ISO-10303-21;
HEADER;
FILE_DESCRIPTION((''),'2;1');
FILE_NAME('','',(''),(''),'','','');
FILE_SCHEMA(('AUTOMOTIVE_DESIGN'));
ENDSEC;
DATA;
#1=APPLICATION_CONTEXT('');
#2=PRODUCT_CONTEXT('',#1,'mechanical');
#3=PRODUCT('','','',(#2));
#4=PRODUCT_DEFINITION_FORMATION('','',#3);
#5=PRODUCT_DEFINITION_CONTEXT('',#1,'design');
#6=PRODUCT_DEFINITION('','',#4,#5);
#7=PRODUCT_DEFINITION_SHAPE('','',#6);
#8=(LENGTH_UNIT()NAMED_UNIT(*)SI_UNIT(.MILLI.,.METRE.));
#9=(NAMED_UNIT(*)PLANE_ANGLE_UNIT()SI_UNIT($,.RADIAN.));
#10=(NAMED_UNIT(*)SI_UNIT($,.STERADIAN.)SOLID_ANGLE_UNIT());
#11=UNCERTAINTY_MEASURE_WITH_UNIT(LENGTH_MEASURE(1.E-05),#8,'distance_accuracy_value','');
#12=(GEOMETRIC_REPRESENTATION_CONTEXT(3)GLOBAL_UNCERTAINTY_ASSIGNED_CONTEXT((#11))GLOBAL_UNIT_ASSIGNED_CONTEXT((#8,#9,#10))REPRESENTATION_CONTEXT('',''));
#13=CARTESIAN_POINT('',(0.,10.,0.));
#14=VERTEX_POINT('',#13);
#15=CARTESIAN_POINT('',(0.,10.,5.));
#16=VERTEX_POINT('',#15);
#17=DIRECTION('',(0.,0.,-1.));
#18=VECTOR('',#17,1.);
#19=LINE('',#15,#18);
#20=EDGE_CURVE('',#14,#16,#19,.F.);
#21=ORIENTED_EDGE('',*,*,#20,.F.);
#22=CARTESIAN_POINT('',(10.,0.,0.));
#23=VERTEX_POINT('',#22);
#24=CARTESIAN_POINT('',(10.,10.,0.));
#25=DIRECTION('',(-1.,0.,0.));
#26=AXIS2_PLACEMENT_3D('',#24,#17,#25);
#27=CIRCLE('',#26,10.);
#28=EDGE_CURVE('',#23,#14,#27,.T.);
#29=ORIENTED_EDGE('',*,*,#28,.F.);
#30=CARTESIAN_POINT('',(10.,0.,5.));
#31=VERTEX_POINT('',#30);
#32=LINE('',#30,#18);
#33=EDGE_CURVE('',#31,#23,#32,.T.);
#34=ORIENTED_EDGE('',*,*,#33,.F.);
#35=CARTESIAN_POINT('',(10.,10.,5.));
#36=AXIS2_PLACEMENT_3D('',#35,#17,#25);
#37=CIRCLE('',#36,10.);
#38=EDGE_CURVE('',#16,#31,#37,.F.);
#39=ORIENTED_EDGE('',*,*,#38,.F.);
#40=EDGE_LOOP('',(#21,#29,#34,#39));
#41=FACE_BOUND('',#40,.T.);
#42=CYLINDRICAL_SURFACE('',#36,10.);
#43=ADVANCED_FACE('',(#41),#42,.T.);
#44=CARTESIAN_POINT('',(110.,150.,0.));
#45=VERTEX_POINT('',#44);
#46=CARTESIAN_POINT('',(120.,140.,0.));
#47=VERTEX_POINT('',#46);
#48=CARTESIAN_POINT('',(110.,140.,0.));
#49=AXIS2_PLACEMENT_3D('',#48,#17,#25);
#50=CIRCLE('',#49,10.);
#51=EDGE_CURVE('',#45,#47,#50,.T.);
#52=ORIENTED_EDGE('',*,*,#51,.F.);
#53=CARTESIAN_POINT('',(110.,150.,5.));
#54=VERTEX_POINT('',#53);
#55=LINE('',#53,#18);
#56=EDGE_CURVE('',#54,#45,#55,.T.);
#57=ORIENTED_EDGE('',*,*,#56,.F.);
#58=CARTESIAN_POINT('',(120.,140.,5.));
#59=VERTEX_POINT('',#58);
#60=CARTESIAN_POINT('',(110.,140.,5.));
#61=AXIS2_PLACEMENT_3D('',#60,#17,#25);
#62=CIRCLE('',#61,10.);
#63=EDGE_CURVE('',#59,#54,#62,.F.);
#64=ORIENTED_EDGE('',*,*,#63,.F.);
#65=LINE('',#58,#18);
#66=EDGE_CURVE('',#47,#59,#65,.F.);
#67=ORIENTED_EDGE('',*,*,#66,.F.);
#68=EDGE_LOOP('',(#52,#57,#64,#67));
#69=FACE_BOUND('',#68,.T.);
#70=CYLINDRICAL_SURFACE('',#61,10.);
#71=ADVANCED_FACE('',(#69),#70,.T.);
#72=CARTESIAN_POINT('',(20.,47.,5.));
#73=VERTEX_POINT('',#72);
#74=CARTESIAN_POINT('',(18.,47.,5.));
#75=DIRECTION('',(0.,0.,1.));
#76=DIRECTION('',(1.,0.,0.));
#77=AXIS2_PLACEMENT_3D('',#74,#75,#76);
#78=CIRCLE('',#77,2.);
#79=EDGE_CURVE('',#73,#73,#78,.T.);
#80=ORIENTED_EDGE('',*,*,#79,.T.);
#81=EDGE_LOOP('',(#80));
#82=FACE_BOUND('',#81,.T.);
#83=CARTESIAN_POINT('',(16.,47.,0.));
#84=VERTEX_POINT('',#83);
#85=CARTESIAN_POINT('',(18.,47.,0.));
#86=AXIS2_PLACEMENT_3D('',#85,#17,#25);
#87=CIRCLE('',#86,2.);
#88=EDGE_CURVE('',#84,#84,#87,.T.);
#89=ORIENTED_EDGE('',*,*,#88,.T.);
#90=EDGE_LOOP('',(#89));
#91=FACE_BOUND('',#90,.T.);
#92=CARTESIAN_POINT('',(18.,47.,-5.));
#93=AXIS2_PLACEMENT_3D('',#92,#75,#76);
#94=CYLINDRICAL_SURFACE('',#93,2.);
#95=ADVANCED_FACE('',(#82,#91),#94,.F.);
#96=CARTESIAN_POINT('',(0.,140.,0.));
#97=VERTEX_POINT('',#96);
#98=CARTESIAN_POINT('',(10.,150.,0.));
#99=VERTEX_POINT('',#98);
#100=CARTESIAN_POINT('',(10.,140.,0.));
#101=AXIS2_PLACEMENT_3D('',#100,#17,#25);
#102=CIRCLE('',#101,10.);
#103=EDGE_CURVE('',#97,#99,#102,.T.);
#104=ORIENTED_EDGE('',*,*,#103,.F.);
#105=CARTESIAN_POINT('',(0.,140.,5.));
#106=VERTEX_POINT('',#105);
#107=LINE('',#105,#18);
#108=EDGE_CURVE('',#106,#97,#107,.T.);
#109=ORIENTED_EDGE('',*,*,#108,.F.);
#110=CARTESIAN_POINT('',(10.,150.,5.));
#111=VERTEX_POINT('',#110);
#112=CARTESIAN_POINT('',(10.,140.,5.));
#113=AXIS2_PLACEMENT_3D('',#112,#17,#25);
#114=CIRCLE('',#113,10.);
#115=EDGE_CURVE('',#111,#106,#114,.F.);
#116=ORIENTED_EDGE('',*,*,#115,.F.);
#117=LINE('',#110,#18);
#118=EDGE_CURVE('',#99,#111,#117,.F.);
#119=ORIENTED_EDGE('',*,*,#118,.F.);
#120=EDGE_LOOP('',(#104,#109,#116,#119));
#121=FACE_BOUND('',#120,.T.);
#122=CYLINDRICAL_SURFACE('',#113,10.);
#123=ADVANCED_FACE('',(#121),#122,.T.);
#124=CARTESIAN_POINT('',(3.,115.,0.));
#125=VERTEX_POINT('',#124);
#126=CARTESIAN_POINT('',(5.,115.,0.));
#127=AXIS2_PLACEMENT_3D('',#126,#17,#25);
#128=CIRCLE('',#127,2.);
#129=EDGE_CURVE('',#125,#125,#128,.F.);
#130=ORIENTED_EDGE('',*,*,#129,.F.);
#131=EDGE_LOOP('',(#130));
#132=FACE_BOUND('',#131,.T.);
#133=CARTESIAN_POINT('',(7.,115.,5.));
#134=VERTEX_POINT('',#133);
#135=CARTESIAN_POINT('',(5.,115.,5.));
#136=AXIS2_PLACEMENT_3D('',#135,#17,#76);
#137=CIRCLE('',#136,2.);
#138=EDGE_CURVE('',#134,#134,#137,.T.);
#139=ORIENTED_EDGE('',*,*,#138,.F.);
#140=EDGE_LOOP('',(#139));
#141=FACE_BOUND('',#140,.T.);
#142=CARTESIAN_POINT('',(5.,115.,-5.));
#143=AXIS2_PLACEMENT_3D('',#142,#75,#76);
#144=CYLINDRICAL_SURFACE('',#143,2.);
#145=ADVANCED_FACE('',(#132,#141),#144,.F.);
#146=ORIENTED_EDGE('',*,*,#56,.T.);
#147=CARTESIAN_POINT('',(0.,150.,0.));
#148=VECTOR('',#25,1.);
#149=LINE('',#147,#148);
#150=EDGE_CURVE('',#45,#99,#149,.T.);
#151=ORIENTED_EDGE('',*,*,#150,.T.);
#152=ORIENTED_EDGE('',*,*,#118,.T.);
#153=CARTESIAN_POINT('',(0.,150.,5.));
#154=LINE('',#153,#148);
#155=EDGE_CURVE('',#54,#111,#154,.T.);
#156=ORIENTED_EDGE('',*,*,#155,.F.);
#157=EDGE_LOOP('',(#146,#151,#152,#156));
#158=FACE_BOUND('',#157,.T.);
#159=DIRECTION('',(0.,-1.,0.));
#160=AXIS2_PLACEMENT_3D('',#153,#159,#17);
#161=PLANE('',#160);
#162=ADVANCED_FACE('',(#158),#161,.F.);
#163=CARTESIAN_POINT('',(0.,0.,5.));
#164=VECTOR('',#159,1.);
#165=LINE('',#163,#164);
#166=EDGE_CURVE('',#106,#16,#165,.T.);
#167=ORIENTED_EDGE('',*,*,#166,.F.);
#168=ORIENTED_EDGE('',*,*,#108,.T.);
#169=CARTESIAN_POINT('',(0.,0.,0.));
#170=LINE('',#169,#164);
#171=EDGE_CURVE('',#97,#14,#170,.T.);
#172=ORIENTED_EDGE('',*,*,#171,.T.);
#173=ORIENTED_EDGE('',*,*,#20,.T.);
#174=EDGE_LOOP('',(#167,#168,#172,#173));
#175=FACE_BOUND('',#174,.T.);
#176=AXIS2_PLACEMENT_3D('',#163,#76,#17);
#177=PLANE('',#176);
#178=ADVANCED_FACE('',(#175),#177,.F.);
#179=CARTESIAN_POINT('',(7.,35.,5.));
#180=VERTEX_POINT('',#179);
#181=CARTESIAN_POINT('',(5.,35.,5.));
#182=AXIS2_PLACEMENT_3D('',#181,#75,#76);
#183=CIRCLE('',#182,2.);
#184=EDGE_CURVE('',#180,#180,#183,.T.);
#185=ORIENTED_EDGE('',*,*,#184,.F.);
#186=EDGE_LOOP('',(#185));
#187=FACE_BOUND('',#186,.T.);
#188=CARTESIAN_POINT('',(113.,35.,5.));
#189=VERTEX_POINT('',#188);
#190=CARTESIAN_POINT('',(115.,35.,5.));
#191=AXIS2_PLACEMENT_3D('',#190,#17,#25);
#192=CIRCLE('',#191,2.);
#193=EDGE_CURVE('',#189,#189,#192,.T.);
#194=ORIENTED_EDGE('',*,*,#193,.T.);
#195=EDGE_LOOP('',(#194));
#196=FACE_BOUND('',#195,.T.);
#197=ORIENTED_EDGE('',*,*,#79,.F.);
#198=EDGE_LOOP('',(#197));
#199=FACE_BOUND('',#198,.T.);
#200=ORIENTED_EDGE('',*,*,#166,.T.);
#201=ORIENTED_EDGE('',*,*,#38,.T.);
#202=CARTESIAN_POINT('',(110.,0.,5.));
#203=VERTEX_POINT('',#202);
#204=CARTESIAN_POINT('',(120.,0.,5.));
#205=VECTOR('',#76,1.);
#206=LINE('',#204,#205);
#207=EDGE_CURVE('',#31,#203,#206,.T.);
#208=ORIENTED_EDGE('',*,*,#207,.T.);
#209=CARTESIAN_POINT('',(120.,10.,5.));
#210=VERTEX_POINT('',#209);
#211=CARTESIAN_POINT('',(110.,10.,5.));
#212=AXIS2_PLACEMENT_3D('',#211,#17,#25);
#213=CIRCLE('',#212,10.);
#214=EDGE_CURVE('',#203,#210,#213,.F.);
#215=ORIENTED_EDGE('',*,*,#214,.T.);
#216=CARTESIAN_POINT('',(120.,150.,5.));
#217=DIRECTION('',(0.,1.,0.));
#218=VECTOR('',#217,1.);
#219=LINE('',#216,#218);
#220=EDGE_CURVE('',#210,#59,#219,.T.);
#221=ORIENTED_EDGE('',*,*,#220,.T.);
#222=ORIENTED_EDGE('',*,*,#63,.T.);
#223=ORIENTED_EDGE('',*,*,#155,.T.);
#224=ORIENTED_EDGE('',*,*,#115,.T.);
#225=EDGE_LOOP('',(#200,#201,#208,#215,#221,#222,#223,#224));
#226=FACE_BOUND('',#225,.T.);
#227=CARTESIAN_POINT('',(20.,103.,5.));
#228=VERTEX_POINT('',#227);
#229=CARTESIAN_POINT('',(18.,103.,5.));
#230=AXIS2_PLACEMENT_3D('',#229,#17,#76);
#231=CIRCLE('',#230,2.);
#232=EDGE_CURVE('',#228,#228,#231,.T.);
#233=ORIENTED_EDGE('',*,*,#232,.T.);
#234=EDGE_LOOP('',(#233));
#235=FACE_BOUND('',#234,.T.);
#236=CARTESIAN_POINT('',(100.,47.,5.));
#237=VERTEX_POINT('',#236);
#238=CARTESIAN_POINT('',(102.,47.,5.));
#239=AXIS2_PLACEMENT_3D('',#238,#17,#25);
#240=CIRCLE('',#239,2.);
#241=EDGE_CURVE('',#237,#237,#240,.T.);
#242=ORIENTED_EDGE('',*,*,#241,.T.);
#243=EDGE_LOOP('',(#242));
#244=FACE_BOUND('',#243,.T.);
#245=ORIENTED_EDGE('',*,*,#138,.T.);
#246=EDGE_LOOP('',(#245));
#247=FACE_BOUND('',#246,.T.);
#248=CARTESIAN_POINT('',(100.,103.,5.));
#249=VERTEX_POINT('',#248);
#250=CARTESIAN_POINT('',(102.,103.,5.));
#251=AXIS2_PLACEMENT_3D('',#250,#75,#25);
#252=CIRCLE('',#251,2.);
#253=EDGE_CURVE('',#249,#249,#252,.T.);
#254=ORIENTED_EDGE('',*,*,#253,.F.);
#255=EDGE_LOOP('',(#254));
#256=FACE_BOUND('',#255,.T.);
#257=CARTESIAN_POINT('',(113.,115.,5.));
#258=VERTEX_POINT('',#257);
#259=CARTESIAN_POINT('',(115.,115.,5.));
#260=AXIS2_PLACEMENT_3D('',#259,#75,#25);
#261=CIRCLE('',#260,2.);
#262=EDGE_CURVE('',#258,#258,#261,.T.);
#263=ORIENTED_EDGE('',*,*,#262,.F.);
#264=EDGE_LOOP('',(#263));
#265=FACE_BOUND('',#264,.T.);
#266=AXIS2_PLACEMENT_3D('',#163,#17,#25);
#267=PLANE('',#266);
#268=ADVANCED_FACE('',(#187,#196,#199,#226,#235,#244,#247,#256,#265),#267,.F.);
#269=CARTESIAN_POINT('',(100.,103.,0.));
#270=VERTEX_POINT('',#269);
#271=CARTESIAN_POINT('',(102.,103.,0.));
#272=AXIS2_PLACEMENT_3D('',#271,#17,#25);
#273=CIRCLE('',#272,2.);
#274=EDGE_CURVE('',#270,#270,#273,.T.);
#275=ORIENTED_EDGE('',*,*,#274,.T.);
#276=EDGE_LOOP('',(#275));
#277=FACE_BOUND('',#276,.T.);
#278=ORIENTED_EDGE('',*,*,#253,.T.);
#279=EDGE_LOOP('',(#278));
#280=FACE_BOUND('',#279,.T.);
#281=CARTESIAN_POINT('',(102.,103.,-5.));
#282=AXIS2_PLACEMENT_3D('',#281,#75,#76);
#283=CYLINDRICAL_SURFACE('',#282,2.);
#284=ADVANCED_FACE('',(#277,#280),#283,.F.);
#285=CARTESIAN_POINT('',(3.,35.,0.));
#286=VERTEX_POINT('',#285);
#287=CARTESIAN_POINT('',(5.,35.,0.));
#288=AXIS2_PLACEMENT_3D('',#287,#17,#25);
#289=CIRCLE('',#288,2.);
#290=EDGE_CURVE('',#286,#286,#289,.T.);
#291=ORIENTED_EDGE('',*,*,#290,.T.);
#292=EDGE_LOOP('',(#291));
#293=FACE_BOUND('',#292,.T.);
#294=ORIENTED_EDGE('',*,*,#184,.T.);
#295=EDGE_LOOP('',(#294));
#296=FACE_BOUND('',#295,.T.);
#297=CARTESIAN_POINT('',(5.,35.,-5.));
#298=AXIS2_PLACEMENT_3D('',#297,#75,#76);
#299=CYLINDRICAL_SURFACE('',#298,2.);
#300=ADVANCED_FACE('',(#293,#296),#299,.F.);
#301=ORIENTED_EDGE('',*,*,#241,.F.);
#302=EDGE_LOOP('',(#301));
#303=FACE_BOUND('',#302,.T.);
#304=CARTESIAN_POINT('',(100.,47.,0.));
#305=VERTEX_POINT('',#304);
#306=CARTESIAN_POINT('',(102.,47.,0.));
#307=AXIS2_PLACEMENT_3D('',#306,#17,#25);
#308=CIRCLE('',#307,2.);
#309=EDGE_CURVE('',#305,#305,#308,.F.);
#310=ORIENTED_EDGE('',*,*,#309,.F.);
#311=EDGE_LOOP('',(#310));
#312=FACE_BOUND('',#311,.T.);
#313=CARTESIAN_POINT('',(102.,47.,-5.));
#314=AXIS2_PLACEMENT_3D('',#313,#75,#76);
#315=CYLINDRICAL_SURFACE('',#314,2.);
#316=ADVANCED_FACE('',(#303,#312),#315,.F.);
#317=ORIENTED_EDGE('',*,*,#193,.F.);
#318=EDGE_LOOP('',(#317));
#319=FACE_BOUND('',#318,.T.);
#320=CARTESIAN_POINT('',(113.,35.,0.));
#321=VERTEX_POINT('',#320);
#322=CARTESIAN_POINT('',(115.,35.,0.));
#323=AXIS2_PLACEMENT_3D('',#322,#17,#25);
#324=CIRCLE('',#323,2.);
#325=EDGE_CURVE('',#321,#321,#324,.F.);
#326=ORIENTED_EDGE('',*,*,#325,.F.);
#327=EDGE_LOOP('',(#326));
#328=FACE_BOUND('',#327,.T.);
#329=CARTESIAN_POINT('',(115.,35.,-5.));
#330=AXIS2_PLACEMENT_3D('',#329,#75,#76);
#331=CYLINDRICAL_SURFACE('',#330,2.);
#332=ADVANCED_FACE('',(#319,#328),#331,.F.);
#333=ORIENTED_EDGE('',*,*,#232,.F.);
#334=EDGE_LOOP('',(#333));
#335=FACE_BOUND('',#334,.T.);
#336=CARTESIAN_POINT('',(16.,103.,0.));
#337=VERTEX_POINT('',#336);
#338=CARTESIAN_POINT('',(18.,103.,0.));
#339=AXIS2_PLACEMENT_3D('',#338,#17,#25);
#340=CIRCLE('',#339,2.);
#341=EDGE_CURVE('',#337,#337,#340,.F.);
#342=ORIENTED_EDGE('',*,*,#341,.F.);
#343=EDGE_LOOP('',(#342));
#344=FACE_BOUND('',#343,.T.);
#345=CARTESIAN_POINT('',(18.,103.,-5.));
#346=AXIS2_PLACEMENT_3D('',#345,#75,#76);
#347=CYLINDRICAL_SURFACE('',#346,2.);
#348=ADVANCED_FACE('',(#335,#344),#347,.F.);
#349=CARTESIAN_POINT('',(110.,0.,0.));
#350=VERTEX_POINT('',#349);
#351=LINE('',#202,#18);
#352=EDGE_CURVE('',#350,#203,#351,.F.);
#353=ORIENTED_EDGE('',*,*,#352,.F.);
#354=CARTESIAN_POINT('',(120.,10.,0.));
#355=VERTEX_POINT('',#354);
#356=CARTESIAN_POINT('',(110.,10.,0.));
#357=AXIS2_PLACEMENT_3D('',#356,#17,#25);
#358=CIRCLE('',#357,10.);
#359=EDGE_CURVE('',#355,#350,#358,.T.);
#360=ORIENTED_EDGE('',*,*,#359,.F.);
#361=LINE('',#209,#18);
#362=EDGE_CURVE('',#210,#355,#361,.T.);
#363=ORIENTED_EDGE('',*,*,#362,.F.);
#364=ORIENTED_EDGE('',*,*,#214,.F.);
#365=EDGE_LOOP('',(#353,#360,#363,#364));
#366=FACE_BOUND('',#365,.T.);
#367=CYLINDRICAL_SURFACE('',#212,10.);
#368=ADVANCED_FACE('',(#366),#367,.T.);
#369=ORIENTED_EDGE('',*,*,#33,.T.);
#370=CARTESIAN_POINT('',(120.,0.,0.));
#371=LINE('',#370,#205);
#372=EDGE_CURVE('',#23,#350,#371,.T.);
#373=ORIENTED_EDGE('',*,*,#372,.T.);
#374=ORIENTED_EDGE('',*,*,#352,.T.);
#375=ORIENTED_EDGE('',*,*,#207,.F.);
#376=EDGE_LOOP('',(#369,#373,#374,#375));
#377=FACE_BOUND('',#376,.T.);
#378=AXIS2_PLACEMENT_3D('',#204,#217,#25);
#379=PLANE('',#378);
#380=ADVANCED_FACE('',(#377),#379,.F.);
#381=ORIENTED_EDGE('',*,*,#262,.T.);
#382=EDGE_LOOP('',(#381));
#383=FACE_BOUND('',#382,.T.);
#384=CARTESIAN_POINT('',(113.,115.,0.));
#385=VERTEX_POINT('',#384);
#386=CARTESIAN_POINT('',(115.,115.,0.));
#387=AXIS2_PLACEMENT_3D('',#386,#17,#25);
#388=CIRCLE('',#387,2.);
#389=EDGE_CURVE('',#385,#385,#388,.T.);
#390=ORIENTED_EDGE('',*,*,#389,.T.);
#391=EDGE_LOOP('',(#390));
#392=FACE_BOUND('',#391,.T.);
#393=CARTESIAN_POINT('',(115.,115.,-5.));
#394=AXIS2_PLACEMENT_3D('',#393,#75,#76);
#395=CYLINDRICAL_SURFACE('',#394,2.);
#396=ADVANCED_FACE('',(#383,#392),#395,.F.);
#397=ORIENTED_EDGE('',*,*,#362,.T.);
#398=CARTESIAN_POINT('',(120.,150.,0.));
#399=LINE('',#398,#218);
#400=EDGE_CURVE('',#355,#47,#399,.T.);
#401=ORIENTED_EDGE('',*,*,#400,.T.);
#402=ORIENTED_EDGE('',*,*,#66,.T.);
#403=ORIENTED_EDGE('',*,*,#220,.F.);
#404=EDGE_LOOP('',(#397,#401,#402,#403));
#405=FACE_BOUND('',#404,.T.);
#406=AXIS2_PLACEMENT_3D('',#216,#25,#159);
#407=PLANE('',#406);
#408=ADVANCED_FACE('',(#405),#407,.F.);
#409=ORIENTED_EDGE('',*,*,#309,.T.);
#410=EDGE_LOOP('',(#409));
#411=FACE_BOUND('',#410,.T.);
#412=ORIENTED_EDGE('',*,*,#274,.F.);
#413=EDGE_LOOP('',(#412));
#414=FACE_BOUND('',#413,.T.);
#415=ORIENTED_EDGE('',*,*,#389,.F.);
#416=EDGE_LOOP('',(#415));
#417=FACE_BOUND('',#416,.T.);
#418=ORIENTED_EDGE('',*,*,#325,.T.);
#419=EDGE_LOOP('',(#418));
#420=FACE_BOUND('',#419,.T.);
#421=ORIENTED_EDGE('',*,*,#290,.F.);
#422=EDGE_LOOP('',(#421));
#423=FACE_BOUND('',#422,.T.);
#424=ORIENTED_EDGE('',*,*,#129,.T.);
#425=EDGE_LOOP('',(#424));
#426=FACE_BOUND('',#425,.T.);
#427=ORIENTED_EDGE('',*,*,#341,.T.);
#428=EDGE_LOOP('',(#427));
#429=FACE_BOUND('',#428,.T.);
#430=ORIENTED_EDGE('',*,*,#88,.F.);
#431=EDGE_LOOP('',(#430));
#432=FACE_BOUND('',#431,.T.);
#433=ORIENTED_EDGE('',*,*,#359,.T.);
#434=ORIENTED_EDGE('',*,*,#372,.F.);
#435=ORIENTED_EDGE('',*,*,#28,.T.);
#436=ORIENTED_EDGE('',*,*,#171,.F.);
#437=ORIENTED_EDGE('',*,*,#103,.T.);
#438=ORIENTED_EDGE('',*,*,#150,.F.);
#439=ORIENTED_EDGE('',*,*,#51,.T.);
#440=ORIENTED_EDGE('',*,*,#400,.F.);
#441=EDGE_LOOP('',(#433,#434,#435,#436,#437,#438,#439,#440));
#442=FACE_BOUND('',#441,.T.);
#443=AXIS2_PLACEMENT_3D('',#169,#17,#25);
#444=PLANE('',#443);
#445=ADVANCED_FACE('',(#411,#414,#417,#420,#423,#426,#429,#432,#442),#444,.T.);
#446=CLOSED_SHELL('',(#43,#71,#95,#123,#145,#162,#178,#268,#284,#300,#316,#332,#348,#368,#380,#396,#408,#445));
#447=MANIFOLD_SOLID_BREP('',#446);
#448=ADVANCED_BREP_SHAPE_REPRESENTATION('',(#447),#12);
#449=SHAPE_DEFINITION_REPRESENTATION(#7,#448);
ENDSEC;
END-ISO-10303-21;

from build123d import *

# Parameters (mm, degrees)
SKETCH_1_W               = 120
SKETCH_1_H               = 150
EXTRUDE_1_DEPTH          = 5
FILLET_1_R               = 10
SKETCH_2_R               = 2
CUT_EXTRUDE_1_DEPTH      = 10
MIRROR_2_COPY_1_SKETCH_R = 2
MIRROR_2_COPY_1_DEPTH    = 10


with BuildPart() as part:
    # 草图1 → 凸台-拉伸1 (new body)
    with BuildSketch(Plane.XY):
        with Locations((60, 75)):
            Rectangle(SKETCH_1_W, SKETCH_1_H)
    extrude(amount=EXTRUDE_1_DEPTH)

    # 圆角1
    fillet_1_edges = [part.edges().sort_by_distance(p)[0] for p in [
        (0, 0, 2.5),
        (0, 150, 2.5),
        (120, 150, 2.5),
        (120, 0, 2.5),
    ]]
    fillet(fillet_1_edges, radius=FILLET_1_R)

    # 草图2 → 切除-拉伸1 (cut)
    with BuildSketch(Plane.XY.offset(5)):
        with Locations((18, 47)):
            Circle(SKETCH_2_R)
        with Locations((5, 35)):
            Circle(SKETCH_2_R)
    cut_extrude_1 = extrude(amount=-CUT_EXTRUDE_1_DEPTH, mode=Mode.SUBTRACT)

    # 镜向1: 切除-拉伸1 across plane
    add(cut_extrude_1.mirror(Plane(origin=(0, 75, 0), x_dir=(0, 0, 1), z_dir=(0, -1, 0))), mode=Mode.SUBTRACT)

    # 镜向2: 切除-拉伸1 across plane
    add(cut_extrude_1.mirror(Plane.ZY.offset(-60)), mode=Mode.SUBTRACT)

    # 镜向2 copy 1 sketch → 镜向2 copy 1 (cut)
    with BuildSketch(Plane(origin=(120, 150, 5), x_dir=(-1, 0, 0), z_dir=(0, 0, 1))):
        with Locations((18, 47)):
            Circle(MIRROR_2_COPY_1_SKETCH_R)
        with Locations((5, 35)):
            Circle(MIRROR_2_COPY_1_SKETCH_R)
    extrude(amount=-MIRROR_2_COPY_1_DEPTH, mode=Mode.SUBTRACT)


solid = part.part
